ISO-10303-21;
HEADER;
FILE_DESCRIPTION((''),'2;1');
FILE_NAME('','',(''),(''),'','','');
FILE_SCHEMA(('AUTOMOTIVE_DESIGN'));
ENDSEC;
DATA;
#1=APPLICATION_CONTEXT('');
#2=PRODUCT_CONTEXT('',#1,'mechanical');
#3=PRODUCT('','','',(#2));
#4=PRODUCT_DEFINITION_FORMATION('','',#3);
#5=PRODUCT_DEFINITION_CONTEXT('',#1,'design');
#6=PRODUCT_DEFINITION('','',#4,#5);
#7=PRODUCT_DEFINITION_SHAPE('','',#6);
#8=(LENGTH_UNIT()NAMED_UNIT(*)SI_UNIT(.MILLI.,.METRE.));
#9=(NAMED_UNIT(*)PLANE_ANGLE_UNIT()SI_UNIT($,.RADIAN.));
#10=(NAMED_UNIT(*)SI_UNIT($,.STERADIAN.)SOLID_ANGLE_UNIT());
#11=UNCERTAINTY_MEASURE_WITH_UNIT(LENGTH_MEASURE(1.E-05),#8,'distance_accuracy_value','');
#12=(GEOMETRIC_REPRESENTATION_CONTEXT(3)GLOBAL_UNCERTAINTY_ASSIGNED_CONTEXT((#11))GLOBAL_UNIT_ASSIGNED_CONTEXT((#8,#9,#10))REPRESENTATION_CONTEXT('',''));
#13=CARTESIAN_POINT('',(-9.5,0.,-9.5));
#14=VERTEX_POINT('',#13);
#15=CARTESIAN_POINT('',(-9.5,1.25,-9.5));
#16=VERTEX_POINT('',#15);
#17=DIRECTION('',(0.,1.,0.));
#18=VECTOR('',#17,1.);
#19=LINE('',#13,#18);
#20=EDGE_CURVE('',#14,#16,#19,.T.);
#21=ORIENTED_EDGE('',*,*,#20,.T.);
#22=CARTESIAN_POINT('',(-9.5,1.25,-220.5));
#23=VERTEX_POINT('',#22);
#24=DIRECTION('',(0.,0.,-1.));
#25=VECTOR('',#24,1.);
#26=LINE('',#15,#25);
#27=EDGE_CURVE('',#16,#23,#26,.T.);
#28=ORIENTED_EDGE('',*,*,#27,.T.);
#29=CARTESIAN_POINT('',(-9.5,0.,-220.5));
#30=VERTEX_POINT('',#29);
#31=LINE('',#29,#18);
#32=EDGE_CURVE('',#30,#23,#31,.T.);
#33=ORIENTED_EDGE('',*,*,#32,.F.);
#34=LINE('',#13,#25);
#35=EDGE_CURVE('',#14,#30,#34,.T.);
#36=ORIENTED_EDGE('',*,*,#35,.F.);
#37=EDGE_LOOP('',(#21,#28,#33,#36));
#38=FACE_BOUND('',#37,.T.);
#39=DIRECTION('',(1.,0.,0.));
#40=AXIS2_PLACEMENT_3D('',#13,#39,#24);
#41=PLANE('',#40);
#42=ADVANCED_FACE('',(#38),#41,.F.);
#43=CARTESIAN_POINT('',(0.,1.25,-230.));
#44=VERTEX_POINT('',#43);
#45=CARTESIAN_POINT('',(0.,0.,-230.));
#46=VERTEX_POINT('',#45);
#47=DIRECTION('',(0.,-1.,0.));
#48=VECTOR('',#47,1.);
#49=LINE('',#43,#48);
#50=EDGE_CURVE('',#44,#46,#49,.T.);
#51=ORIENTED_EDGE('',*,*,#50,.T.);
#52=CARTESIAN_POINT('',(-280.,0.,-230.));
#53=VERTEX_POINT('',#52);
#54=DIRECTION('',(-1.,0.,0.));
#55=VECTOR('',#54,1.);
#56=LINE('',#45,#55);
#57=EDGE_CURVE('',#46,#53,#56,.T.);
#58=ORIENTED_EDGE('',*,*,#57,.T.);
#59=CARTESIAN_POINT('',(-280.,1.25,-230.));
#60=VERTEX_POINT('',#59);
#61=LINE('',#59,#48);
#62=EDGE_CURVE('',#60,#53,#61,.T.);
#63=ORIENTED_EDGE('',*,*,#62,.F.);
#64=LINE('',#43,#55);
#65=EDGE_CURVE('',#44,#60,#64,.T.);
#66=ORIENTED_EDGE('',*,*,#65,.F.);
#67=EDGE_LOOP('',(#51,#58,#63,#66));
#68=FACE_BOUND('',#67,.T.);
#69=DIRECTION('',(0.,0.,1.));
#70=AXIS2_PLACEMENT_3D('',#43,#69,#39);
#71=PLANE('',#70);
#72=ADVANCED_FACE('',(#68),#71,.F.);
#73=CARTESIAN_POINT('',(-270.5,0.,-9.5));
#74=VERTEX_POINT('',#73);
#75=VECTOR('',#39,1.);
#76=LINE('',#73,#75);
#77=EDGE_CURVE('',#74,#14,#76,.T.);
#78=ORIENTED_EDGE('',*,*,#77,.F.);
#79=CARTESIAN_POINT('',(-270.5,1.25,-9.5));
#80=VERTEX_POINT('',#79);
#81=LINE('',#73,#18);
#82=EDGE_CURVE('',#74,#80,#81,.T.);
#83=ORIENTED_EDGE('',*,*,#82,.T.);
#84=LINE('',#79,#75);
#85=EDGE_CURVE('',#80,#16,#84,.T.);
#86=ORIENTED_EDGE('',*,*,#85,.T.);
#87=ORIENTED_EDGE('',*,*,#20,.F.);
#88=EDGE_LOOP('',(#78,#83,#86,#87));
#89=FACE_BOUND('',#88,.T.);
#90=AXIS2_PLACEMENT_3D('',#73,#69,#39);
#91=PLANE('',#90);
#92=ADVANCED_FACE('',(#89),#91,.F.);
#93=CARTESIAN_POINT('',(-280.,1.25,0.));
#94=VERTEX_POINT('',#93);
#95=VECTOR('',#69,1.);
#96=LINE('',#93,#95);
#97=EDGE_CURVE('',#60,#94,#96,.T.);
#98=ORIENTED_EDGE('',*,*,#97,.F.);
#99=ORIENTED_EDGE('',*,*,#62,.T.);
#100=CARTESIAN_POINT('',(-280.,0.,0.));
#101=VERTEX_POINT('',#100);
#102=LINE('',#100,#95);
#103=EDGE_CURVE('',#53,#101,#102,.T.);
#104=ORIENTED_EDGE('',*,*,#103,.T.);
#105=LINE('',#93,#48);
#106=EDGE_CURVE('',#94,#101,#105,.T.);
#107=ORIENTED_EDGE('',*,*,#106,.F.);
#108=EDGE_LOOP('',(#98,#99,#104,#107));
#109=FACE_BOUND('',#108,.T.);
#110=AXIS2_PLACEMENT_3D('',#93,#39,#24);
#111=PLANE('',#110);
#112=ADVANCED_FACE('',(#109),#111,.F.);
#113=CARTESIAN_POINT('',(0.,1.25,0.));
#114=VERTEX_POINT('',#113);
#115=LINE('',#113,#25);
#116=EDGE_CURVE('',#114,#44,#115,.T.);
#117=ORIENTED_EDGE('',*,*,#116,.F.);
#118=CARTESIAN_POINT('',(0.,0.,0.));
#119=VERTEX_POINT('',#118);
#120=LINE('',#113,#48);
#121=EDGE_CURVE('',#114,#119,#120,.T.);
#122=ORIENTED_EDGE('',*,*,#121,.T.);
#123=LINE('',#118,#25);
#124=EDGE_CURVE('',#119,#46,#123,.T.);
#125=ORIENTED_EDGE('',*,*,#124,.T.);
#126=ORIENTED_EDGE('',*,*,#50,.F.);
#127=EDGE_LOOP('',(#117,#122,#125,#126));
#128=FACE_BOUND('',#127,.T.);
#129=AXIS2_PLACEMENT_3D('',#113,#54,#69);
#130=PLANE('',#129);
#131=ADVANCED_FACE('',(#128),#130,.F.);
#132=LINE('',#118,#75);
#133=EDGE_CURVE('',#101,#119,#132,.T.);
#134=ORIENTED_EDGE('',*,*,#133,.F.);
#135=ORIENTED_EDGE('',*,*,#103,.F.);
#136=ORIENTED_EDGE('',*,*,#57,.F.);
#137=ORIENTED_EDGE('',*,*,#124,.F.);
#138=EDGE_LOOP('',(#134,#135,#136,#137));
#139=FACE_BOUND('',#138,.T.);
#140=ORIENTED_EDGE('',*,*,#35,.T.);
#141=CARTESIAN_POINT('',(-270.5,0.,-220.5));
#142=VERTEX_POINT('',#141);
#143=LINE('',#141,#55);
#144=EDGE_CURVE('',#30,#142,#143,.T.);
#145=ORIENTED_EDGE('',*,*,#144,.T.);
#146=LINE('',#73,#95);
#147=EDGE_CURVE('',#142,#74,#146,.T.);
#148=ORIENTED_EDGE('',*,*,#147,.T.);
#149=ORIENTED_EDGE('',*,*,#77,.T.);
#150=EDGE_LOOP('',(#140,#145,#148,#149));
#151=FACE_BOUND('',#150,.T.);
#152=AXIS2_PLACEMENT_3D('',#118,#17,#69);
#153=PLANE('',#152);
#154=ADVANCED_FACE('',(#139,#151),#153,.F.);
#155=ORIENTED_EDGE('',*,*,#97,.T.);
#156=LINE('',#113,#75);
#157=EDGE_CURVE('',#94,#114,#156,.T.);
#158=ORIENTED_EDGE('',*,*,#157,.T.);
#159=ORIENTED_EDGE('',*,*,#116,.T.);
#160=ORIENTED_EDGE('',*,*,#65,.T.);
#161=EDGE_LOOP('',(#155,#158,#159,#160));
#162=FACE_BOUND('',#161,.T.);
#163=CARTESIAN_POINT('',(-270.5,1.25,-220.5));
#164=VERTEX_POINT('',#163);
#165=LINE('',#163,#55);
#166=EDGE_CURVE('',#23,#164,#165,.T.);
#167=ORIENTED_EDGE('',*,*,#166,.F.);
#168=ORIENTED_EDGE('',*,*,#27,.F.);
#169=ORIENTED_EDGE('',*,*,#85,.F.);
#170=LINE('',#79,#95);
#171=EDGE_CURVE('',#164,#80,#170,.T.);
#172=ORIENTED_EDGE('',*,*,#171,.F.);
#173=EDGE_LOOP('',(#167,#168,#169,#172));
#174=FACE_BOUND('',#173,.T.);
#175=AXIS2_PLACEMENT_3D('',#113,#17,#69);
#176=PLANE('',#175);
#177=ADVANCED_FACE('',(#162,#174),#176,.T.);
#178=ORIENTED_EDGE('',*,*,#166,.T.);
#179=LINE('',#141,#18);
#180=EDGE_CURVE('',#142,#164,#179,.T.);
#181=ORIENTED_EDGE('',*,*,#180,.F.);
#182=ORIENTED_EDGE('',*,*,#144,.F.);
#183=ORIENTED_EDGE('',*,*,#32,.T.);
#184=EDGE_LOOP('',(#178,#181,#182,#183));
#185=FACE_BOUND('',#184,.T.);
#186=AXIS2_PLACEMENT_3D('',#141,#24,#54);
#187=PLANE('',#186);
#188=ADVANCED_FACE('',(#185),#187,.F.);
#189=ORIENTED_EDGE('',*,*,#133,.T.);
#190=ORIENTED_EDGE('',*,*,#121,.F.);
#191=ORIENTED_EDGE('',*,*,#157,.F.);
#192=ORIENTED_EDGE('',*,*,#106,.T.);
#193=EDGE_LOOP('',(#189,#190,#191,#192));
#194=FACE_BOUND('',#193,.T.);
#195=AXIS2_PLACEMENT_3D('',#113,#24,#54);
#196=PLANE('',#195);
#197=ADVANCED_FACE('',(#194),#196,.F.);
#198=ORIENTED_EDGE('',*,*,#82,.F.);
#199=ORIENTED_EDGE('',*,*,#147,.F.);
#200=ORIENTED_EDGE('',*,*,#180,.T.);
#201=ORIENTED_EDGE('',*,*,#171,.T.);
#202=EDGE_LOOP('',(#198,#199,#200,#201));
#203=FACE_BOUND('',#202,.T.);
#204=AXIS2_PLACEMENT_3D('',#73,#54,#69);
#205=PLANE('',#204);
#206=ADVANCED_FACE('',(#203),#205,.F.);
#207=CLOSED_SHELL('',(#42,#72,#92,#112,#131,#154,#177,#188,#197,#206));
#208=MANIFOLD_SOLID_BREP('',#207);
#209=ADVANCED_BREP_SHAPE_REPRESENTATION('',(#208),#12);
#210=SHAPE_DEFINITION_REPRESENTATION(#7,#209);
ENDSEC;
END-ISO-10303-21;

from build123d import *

# Parameters (mm, degrees)
SKETCH1_W           = 280
SKETCH1_H           = 230
BOSS_EXTRUDE1_DEPTH = 1.25
SKETCH2_W           = 261
SKETCH2_H           = 211
CUT_EXTRUDE1_DEPTH  = 363.355574678


with BuildPart() as part:
    # Sketch1 → Boss-Extrude1 (new body)
    with BuildSketch(Plane(origin=(0, 0, 0), x_dir=(1, 0, 0), z_dir=(0, 1, 0))):
        with Locations((-140, 115)):
            Rectangle(SKETCH1_W, SKETCH1_H)
    extrude(amount=BOSS_EXTRUDE1_DEPTH)

    # Sketch2 → Cut-Extrude1 (cut, through all)
    with BuildSketch(Plane(origin=(0, 1.25, 0), x_dir=(1, 0, 0), z_dir=(0, 1, 0))):
        with Locations((-140, 115)):
            Rectangle(SKETCH2_W, SKETCH2_H)
    extrude(amount=-CUT_EXTRUDE1_DEPTH, mode=Mode.SUBTRACT)


solid = part.part
